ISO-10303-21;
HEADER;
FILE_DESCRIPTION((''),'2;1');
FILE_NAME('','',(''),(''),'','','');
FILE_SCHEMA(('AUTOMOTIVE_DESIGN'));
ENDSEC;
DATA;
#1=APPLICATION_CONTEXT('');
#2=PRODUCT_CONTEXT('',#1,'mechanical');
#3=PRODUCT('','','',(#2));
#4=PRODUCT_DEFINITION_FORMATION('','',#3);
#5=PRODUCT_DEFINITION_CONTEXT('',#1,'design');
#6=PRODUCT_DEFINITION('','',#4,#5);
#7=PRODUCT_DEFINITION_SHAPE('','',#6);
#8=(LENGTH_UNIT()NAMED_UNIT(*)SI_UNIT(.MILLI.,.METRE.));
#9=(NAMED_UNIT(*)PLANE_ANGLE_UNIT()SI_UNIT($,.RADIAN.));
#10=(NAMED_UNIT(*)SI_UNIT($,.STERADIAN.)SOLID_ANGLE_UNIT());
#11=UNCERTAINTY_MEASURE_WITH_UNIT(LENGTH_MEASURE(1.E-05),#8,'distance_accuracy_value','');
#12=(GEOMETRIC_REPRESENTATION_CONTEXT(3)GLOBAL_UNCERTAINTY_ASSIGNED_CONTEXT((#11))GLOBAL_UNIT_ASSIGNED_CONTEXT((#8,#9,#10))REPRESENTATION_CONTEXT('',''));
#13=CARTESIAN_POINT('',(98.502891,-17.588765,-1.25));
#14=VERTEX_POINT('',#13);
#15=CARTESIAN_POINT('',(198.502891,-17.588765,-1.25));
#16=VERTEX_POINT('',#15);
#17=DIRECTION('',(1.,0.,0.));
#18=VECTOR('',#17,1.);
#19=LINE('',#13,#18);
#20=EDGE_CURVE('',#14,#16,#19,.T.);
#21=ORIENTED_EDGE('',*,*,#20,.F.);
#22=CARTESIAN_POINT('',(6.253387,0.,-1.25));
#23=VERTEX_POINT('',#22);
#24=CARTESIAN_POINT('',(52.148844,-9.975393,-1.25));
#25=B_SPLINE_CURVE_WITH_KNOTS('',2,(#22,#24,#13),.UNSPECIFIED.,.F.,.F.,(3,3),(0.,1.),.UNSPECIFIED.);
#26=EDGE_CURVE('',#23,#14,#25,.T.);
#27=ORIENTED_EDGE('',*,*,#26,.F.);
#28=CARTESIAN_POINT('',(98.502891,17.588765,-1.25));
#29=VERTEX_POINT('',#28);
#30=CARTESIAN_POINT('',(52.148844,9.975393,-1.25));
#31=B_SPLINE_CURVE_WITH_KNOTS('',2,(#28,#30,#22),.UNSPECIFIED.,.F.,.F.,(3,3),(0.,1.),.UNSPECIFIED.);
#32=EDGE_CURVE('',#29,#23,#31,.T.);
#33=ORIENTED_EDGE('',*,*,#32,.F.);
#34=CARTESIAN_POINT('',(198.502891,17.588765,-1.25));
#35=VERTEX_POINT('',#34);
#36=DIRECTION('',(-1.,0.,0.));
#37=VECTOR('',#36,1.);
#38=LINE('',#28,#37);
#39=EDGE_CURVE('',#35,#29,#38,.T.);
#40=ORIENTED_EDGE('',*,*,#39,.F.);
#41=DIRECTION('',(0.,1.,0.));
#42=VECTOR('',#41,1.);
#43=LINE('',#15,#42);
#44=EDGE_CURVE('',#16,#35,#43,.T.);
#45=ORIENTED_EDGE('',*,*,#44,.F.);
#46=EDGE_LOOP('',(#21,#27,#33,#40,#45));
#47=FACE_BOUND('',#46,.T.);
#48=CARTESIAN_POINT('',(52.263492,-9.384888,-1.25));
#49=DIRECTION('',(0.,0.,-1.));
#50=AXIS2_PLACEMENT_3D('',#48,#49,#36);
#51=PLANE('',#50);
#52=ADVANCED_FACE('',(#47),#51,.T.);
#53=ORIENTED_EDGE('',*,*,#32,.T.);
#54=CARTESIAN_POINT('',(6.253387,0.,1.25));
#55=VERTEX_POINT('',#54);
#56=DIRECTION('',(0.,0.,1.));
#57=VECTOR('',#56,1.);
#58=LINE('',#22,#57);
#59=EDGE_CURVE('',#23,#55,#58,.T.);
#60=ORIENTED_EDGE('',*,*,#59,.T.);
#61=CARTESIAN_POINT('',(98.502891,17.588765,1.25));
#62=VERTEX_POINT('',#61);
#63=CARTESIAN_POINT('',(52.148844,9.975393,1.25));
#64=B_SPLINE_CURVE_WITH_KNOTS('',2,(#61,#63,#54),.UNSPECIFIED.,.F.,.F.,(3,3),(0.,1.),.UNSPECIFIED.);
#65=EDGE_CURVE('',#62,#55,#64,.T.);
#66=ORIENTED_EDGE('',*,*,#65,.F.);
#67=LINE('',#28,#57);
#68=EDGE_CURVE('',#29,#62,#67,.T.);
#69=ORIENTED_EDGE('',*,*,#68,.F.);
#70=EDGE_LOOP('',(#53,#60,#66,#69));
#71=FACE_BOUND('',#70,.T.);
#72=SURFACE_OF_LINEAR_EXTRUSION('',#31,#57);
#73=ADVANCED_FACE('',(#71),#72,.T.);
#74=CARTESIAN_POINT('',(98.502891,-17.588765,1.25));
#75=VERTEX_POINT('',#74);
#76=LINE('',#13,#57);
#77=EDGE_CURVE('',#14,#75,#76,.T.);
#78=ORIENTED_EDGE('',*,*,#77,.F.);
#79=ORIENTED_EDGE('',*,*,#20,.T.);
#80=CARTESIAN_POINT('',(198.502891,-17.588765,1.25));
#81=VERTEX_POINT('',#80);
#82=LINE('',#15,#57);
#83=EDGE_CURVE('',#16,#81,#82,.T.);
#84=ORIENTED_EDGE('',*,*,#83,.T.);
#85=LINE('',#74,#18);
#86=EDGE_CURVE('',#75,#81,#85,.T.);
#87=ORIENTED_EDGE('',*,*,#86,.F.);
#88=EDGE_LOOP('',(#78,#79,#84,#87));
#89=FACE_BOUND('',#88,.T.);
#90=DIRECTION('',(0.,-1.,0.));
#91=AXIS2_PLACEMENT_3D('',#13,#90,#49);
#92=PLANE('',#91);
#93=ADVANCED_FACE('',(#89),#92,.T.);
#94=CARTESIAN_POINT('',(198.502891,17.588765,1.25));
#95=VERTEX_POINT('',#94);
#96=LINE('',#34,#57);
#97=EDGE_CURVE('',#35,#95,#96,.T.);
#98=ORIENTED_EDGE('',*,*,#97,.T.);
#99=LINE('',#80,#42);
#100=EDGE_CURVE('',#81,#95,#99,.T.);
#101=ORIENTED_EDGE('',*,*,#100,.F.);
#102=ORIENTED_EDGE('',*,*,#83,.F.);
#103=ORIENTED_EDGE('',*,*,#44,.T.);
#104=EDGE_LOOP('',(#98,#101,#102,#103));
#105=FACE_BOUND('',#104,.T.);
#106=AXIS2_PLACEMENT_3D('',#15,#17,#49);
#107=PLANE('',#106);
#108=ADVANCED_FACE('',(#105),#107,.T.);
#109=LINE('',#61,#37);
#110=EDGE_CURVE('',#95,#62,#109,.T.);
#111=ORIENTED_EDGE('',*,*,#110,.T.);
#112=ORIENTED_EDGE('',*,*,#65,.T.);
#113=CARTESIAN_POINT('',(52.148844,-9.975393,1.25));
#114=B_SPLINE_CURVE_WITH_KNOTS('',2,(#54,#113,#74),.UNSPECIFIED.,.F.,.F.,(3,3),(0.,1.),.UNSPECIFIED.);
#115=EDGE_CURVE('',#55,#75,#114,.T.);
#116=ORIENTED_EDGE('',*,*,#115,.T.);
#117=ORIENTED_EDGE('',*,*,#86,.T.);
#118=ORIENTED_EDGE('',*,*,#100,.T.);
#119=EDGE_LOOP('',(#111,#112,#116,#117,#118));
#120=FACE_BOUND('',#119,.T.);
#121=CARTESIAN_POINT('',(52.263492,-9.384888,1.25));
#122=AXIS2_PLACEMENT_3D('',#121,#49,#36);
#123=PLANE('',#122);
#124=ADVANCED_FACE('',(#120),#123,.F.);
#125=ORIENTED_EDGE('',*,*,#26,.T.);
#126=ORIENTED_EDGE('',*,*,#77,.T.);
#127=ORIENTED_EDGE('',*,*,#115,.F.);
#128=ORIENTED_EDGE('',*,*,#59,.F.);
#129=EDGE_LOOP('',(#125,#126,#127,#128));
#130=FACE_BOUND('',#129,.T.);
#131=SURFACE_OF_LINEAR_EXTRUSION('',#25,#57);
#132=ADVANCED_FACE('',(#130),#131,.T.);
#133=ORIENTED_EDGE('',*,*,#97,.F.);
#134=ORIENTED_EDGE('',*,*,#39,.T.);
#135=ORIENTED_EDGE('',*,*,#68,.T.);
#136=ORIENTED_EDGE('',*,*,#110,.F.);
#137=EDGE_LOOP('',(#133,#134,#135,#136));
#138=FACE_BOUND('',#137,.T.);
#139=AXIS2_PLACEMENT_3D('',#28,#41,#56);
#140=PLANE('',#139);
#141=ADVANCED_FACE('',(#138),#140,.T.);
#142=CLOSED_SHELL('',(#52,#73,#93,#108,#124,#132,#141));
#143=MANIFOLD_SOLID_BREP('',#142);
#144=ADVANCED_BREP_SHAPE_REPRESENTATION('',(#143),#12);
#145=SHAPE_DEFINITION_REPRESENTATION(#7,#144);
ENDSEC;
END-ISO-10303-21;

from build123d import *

# Parameters (mm, degrees)
BOSS_EXTRUDE1_DEPTH      = 1.25
BOSS_EXTRUDE1_DEPTH_BACK = 1.25


with BuildPart() as part:
    # Sketch2 → Boss-Extrude1 (new, two sides: drawn at the far end of the back side and taken through both)
    with BuildSketch(Plane.XY.offset(-BOSS_EXTRUDE1_DEPTH_BACK)):
        with BuildLine():
            Line((98.502891266, 17.588765104), (198.502891266, 17.588765104))
            Line((198.502891266, 17.588765104), (198.502891266, -17.588765104))
            Line((198.502891266, -17.588765104), (98.502891266, -17.588765104))
            add(Edge.make_bspline(
                [(6.253387475, 0), (52.148844411, -9.975392509), (98.502891266, -17.588765104)],
                knots=[0, 0, 0, 1, 1, 1], degree=2))
            add(Edge.make_bspline(
                [(6.253387475, 0), (52.148844411, 9.975392509), (98.502891266, 17.588765104)],
                knots=[0, 0, 0, 1, 1, 1], degree=2))
        make_face()
    extrude(amount=BOSS_EXTRUDE1_DEPTH + BOSS_EXTRUDE1_DEPTH_BACK)


solid = part.part
